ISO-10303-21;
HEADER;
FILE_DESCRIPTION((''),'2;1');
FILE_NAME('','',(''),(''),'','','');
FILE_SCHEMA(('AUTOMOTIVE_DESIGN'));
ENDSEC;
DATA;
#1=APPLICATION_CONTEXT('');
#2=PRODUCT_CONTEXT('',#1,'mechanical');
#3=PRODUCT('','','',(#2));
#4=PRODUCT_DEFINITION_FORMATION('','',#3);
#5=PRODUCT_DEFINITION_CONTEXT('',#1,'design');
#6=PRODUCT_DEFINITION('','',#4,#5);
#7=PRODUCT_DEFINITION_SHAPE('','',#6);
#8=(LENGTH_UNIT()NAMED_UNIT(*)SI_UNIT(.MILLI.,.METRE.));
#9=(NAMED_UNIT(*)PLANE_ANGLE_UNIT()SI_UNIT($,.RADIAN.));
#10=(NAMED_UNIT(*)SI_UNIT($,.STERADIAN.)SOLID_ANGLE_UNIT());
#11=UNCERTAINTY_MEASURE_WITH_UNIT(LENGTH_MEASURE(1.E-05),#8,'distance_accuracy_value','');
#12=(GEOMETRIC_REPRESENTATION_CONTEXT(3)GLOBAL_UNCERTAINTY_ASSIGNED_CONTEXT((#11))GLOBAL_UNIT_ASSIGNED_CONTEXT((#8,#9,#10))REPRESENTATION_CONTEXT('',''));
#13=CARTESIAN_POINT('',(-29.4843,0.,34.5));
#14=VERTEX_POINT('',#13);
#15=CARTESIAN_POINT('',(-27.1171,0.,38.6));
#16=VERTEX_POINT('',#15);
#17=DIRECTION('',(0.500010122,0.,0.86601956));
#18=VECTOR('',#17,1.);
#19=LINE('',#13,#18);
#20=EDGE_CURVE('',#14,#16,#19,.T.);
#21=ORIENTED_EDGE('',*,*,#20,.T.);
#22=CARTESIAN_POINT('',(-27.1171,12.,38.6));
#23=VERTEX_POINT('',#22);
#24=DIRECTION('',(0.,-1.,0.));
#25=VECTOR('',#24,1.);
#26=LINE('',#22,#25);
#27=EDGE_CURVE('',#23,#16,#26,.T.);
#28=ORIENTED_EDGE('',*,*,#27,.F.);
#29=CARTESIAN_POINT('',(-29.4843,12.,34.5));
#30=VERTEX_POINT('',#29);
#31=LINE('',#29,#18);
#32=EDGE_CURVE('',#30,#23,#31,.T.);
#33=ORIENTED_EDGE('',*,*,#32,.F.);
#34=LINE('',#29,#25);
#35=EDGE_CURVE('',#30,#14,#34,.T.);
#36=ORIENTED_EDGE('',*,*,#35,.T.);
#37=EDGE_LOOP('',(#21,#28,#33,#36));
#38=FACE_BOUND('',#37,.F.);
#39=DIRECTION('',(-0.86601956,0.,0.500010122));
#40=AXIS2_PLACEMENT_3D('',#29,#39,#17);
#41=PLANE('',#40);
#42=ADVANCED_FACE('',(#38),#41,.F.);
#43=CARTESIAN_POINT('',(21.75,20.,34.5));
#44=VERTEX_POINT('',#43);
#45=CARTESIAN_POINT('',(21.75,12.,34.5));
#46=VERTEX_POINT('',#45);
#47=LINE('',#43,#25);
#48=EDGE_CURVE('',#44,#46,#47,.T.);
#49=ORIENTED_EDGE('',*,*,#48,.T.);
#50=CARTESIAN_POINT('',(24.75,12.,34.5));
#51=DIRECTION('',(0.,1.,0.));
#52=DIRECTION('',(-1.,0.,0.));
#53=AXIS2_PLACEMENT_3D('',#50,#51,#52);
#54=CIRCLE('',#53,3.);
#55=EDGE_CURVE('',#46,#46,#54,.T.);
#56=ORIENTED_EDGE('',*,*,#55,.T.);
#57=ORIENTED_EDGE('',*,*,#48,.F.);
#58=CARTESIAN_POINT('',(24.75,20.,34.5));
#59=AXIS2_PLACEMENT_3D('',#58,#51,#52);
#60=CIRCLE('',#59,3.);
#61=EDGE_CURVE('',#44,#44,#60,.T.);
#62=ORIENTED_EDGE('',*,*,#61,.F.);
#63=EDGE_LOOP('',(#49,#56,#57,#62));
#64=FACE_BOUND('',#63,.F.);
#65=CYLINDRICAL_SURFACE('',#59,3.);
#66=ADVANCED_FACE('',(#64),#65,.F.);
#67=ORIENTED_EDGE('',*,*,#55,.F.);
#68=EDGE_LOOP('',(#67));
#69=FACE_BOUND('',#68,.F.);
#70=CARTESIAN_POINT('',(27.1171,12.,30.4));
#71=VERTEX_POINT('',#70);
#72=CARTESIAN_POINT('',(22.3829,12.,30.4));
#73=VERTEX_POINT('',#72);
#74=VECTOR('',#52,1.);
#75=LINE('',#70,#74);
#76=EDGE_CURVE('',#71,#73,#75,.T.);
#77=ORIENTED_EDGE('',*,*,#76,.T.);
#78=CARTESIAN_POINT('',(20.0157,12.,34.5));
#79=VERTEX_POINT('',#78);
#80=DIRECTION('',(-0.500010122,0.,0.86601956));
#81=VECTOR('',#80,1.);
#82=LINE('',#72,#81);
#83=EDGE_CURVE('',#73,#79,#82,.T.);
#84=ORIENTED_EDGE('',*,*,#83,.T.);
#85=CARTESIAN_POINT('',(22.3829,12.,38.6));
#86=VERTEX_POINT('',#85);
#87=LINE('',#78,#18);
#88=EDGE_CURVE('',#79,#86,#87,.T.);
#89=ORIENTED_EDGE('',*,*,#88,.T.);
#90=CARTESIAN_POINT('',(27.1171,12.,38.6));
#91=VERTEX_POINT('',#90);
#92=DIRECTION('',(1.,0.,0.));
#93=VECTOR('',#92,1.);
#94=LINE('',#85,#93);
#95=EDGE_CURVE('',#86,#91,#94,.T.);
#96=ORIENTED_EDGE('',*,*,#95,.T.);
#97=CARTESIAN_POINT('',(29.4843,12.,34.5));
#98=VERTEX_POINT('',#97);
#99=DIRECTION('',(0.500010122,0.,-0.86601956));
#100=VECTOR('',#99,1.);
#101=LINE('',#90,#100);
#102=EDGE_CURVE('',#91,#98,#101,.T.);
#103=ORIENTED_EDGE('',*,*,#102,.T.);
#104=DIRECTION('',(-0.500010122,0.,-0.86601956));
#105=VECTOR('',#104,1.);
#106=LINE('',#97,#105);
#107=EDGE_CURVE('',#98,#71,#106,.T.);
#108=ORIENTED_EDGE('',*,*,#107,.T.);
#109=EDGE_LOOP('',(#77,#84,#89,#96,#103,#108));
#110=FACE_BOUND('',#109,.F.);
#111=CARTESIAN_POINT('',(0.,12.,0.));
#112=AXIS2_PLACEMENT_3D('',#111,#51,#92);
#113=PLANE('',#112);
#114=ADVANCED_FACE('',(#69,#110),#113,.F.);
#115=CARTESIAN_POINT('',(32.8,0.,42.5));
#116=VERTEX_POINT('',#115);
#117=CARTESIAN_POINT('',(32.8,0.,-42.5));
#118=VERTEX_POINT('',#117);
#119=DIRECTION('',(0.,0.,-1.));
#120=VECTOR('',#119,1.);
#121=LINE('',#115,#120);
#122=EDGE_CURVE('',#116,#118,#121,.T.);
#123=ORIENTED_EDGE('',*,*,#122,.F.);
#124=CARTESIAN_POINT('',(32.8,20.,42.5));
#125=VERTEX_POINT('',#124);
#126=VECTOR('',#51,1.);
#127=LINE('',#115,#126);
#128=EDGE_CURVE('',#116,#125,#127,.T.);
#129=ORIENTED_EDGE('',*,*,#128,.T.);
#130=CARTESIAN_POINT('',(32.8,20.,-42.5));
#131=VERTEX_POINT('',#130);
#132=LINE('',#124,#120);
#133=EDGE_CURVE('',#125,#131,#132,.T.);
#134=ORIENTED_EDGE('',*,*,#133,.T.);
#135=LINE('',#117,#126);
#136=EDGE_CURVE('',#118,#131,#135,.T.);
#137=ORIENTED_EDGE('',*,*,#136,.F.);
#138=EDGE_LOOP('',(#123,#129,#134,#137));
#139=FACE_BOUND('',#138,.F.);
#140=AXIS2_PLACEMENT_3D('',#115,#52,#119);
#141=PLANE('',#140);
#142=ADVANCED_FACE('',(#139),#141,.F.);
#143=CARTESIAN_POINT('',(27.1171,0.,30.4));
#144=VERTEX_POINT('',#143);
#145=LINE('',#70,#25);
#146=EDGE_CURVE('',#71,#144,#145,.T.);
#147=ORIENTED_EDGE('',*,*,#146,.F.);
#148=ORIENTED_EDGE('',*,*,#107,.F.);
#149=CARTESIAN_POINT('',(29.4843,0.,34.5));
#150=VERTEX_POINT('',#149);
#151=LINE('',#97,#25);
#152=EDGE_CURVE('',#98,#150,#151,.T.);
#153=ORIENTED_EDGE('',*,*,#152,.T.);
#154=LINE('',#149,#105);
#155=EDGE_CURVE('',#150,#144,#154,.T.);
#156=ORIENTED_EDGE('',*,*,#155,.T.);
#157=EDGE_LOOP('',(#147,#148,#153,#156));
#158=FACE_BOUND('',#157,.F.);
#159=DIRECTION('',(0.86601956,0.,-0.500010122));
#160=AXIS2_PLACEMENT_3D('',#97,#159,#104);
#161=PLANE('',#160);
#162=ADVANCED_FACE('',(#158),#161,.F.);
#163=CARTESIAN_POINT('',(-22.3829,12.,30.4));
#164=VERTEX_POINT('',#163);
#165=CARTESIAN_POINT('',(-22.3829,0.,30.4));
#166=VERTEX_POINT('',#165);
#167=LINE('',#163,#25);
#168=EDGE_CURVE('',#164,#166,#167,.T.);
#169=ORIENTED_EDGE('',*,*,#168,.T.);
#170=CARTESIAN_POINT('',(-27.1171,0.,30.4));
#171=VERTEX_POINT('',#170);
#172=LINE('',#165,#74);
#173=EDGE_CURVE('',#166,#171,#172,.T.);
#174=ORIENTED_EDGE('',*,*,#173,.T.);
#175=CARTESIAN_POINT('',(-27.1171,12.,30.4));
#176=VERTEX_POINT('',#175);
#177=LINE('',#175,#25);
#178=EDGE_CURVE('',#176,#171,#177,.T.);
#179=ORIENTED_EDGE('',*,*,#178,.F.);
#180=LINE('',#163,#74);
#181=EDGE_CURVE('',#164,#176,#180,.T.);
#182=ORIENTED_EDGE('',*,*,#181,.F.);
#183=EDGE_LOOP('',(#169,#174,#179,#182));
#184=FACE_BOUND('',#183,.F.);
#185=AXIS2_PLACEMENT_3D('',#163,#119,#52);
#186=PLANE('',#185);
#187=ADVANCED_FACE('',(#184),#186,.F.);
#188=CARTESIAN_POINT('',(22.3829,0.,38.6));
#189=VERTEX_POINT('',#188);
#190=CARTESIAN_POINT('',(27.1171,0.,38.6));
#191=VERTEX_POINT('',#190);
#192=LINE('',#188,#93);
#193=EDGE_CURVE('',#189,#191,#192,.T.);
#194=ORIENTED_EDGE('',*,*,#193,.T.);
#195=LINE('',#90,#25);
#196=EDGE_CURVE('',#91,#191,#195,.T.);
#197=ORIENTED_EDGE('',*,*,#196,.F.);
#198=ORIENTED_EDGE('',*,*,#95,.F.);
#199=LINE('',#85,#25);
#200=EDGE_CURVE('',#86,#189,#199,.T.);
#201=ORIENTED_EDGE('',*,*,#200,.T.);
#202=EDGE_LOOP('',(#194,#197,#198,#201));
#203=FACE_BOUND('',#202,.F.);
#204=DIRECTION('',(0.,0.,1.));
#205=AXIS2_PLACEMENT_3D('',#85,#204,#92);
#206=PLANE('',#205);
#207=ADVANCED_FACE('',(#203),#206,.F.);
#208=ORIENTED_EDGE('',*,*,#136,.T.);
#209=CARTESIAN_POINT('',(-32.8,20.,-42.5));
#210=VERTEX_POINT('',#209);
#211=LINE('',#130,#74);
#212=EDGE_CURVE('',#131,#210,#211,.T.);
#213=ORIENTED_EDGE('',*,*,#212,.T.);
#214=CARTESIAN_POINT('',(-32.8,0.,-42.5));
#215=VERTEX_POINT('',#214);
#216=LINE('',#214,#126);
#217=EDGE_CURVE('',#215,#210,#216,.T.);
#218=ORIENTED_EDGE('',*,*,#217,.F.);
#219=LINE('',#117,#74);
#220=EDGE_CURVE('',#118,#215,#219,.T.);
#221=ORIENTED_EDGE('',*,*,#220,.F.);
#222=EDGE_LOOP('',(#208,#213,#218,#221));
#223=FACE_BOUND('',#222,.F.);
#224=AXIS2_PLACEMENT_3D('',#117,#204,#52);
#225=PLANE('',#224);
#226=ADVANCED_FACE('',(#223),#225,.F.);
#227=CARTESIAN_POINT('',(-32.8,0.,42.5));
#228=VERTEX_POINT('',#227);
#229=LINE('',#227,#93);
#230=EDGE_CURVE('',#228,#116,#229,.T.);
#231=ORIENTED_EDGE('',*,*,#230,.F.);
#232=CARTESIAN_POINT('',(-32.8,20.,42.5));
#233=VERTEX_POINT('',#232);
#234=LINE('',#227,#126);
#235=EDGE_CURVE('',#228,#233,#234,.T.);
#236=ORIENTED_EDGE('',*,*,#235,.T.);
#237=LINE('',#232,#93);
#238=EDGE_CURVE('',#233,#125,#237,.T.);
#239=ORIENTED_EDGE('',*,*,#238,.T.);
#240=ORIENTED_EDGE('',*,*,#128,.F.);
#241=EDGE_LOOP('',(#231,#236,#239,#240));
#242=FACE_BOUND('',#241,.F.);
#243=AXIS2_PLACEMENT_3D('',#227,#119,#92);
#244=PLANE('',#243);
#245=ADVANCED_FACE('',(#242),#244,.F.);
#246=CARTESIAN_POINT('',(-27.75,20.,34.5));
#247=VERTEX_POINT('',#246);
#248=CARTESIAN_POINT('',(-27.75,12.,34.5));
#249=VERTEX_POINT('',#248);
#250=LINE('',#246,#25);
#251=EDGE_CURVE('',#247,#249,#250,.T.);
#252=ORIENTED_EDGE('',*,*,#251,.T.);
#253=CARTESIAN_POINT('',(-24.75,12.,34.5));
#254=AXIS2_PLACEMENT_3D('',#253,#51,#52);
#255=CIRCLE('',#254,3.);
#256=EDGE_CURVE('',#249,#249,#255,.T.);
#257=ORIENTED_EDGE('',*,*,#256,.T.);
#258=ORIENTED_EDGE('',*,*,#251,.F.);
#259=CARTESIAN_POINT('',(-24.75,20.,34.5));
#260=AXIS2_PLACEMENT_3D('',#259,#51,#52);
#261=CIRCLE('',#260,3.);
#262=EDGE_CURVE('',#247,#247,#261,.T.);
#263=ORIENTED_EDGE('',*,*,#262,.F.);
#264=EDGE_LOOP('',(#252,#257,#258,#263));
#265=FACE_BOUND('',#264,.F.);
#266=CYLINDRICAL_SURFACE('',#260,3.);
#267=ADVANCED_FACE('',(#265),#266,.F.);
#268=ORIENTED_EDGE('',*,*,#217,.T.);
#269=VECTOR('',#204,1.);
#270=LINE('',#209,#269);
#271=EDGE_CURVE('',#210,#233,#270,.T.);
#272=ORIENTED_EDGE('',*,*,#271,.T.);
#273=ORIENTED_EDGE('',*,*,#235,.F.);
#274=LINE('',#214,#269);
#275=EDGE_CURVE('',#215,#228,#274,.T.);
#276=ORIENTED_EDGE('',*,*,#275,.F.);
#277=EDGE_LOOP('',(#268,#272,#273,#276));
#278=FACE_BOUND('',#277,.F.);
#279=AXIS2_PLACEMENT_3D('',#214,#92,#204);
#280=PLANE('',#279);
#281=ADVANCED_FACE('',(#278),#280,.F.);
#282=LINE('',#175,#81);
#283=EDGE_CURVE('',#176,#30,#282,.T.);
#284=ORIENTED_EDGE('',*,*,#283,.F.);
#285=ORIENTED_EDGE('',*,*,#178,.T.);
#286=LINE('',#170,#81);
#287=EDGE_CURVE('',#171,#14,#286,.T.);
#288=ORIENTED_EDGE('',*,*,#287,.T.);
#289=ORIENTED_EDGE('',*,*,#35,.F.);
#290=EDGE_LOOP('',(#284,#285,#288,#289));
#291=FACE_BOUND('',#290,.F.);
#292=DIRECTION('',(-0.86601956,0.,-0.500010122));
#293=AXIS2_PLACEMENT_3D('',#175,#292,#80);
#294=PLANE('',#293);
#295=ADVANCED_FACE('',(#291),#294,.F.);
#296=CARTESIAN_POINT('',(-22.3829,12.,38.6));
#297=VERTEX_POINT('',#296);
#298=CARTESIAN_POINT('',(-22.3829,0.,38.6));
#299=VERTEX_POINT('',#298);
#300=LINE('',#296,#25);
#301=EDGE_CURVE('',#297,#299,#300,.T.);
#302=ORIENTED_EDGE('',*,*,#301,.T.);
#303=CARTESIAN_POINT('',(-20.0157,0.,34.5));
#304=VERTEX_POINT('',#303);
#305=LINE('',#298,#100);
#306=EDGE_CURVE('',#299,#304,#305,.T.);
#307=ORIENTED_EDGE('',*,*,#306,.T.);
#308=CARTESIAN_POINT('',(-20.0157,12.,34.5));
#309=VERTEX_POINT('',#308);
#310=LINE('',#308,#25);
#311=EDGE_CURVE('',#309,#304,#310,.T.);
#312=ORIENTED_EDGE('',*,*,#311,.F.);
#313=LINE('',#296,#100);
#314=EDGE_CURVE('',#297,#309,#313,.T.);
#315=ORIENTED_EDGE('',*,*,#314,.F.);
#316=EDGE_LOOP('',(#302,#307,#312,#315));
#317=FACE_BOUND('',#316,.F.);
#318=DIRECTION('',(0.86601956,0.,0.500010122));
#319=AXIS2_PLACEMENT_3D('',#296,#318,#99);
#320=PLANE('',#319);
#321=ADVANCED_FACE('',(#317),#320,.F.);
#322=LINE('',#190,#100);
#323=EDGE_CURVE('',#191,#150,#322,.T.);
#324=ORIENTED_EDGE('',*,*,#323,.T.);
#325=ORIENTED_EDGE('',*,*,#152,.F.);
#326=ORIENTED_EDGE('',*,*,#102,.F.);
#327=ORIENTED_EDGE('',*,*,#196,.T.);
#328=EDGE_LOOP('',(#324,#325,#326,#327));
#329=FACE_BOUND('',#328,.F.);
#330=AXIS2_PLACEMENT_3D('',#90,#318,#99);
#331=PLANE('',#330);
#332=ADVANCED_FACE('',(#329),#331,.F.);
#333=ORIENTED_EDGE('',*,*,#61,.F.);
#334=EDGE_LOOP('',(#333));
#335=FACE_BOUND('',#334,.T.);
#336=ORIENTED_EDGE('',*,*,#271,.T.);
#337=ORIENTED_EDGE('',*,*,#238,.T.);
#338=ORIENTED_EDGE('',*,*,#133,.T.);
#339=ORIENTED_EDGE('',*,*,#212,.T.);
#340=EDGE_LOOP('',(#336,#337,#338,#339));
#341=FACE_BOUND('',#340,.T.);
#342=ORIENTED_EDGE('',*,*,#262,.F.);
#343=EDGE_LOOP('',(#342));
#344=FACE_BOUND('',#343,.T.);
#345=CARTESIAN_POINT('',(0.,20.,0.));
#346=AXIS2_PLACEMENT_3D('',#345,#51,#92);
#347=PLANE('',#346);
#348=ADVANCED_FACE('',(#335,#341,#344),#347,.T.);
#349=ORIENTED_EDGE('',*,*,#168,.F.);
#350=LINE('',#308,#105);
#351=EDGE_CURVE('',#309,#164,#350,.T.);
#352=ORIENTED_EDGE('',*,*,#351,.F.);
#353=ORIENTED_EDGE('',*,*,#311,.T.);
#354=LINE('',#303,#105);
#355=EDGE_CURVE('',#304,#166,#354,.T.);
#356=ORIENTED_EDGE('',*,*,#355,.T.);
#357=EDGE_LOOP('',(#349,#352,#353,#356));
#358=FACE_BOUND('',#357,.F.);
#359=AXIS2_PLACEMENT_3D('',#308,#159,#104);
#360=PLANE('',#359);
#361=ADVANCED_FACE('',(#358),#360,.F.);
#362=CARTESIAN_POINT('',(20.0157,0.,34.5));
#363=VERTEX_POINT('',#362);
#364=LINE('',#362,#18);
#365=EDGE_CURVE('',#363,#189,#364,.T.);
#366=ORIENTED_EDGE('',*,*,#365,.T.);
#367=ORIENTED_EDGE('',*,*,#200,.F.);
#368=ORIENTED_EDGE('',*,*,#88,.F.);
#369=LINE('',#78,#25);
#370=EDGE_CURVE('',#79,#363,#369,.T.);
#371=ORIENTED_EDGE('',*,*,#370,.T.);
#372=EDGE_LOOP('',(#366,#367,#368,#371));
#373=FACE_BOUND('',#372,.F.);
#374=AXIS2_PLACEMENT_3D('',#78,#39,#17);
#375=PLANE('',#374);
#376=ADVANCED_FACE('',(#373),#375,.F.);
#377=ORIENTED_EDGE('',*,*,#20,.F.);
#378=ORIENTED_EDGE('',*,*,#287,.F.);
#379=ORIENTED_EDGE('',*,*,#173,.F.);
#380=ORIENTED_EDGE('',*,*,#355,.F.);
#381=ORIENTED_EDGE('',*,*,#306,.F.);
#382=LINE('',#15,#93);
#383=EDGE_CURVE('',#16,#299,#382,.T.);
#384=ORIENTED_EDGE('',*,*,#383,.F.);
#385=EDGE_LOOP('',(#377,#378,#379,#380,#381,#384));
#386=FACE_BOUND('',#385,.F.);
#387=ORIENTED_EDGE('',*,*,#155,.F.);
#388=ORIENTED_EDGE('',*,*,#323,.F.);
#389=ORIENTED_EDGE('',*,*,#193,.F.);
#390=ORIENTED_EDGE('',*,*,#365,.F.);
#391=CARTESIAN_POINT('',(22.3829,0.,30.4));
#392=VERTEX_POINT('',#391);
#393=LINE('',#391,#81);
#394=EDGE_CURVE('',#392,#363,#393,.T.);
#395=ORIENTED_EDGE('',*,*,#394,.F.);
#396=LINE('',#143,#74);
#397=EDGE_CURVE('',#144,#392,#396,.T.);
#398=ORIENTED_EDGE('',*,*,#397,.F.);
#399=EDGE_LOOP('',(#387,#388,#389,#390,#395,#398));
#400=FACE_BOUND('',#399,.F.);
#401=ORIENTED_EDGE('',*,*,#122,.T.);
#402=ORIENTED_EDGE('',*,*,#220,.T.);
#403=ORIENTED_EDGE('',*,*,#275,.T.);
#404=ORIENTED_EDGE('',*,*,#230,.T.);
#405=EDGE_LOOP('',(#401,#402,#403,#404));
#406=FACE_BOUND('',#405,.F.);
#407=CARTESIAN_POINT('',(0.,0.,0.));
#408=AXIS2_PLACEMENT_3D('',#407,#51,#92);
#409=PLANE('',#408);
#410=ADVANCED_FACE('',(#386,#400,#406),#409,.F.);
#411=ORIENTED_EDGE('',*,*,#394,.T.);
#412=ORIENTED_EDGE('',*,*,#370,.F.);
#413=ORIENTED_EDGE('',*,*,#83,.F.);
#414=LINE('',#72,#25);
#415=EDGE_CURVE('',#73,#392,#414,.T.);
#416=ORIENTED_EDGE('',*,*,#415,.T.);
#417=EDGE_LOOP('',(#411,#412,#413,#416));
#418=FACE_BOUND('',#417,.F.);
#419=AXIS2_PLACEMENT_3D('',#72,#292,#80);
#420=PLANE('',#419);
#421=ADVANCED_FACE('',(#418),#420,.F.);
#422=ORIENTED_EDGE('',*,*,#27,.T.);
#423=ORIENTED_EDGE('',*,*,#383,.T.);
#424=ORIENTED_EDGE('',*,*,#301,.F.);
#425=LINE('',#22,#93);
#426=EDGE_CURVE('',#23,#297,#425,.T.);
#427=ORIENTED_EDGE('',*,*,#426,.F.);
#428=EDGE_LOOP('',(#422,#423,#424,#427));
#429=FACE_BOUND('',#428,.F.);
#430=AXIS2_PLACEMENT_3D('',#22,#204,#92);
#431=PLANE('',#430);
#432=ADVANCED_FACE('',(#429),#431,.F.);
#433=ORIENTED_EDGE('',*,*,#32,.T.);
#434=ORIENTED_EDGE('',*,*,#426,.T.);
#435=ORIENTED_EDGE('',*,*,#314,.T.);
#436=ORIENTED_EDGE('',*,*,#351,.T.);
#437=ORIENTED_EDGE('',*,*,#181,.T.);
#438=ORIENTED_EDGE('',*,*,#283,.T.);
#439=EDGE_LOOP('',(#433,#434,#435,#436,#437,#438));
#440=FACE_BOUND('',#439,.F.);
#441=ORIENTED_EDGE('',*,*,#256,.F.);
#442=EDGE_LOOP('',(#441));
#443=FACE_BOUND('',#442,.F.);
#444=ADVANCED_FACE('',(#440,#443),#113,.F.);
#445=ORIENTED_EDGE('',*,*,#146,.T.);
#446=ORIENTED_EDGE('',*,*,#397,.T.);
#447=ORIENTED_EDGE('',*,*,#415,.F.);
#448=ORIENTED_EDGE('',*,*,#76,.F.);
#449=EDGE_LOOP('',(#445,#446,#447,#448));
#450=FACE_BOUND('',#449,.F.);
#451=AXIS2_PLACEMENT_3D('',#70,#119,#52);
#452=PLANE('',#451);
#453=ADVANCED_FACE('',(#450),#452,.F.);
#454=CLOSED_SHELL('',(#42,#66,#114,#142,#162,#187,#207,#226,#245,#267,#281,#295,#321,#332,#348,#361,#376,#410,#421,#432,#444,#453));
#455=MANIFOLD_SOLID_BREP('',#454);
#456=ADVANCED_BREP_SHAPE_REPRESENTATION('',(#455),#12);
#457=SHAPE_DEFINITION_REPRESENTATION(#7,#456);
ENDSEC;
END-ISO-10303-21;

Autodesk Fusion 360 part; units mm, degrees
sketch "Sketch1" plane through (0, 0, 0) normal (0, 1, 0) x (1, 0, 0)
  line L0 (32.8, 42.5) -> (-32.8, 42.5)
  line L1 (-32.8, 42.5) -> (-32.8, -42.5)
  line L2 (-32.8, -42.5) -> (32.8, -42.5)
  line L3 (32.8, -42.5) -> (32.8, 42.5)
  line L4 (32.8, 42.5) -> (-32.8, -42.5) construction
  line L5 (-32.8, 42.5) -> (32.8, -42.5) construction
  dimension "d1" = 65.6
  dimension "d2" = 85
extrude "Extrude1" add sketch "Sketch1" along normal blind 20
sketch "Sketch2" plane through (0, 20, 0) normal (0, 1, 0) x (-1, 0, 0)
  line L0 (-32.8, 42.5) -> (-32.8, -42.5)
  line L1 (-32.8, -42.5) -> (32.8, -42.5)
  line L2 (32.8, -42.5) -> (32.8, 42.5)
  line L3 (32.8, 42.5) -> (-32.8, 42.5)
  line L4 (0, 42.5) -> (0, 34.5) construction
  line L5 (0, 34.5) -> (-24.75, 34.5) construction
  line L6 (0, 34.5) -> (24.75, 34.5) construction
  circle A0 centre (24.75, 34.5) radius 3
  circle A1 centre (-24.75, 34.5) radius 3
  dimension "d5" = 8
  dimension "d6" = 24.75
  dimension "d7" = 24.75
  dimension "d8" = 6
  dimension "d9" = 6
extrude "Extrude2" cut sketch "Sketch2" against normal up to surface (20 mm away) contours A0 | A1
ref_plane "WorkPlane1" through (0, 12, 0) normal (0, 1, 0) x (0, 0, 1)
sketch "Sketch3" plane through (0, 12, 0) normal (0, 1, 0) x (1, 0, 0)
  line L0 (20.0157, -34.5) -> (22.3829, -38.6)
  line L1 (22.3829, -38.6) -> (27.1171, -38.6)
  line L2 (27.1171, -38.6) -> (29.4843, -34.5)
  line L3 (29.4843, -34.5) -> (27.1171, -30.4)
  line L4 (27.1171, -30.4) -> (22.3829, -30.4)
  line L5 (22.3829, -30.4) -> (20.0157, -34.5)
  circle A0 centre (24.75, -34.5) radius 3
  line L6 (-20.0157, -34.5) -> (-22.3829, -30.4)
  line L7 (-22.3829, -30.4) -> (-27.1171, -30.4)
  line L8 (-27.1171, -30.4) -> (-29.4843, -34.5)
  line L9 (-29.4843, -34.5) -> (-27.1171, -38.6)
  line L10 (-27.1171, -38.6) -> (-22.3829, -38.6)
  line L11 (-22.3829, -38.6) -> (-20.0157, -34.5)
  circle A1 centre (-24.75, -34.5) radius 3
  point P0 (24.75, -34.5)
  point P1 (-24.75, -34.5)
  dimension "d13" = 4.1
  dimension "d14" = 4.1
extrude "Extrude3" cut sketch "Sketch3" against normal up to surface (12 mm away) contours L0 L1 L2 L3 L4 L5 | A0 | L6 L7 L8 L9 L10 L11 | A1
equation "d6 = ( 49.5 / 2 ) * 1 mm"
equation "d7 = ( 49.5 / 2 ) * 1 mm"
equation "d13 = ( 8.2 / 2 ) * 1 mm"
equation "d14 = ( 8.2 / 2 ) * 1 mm"
